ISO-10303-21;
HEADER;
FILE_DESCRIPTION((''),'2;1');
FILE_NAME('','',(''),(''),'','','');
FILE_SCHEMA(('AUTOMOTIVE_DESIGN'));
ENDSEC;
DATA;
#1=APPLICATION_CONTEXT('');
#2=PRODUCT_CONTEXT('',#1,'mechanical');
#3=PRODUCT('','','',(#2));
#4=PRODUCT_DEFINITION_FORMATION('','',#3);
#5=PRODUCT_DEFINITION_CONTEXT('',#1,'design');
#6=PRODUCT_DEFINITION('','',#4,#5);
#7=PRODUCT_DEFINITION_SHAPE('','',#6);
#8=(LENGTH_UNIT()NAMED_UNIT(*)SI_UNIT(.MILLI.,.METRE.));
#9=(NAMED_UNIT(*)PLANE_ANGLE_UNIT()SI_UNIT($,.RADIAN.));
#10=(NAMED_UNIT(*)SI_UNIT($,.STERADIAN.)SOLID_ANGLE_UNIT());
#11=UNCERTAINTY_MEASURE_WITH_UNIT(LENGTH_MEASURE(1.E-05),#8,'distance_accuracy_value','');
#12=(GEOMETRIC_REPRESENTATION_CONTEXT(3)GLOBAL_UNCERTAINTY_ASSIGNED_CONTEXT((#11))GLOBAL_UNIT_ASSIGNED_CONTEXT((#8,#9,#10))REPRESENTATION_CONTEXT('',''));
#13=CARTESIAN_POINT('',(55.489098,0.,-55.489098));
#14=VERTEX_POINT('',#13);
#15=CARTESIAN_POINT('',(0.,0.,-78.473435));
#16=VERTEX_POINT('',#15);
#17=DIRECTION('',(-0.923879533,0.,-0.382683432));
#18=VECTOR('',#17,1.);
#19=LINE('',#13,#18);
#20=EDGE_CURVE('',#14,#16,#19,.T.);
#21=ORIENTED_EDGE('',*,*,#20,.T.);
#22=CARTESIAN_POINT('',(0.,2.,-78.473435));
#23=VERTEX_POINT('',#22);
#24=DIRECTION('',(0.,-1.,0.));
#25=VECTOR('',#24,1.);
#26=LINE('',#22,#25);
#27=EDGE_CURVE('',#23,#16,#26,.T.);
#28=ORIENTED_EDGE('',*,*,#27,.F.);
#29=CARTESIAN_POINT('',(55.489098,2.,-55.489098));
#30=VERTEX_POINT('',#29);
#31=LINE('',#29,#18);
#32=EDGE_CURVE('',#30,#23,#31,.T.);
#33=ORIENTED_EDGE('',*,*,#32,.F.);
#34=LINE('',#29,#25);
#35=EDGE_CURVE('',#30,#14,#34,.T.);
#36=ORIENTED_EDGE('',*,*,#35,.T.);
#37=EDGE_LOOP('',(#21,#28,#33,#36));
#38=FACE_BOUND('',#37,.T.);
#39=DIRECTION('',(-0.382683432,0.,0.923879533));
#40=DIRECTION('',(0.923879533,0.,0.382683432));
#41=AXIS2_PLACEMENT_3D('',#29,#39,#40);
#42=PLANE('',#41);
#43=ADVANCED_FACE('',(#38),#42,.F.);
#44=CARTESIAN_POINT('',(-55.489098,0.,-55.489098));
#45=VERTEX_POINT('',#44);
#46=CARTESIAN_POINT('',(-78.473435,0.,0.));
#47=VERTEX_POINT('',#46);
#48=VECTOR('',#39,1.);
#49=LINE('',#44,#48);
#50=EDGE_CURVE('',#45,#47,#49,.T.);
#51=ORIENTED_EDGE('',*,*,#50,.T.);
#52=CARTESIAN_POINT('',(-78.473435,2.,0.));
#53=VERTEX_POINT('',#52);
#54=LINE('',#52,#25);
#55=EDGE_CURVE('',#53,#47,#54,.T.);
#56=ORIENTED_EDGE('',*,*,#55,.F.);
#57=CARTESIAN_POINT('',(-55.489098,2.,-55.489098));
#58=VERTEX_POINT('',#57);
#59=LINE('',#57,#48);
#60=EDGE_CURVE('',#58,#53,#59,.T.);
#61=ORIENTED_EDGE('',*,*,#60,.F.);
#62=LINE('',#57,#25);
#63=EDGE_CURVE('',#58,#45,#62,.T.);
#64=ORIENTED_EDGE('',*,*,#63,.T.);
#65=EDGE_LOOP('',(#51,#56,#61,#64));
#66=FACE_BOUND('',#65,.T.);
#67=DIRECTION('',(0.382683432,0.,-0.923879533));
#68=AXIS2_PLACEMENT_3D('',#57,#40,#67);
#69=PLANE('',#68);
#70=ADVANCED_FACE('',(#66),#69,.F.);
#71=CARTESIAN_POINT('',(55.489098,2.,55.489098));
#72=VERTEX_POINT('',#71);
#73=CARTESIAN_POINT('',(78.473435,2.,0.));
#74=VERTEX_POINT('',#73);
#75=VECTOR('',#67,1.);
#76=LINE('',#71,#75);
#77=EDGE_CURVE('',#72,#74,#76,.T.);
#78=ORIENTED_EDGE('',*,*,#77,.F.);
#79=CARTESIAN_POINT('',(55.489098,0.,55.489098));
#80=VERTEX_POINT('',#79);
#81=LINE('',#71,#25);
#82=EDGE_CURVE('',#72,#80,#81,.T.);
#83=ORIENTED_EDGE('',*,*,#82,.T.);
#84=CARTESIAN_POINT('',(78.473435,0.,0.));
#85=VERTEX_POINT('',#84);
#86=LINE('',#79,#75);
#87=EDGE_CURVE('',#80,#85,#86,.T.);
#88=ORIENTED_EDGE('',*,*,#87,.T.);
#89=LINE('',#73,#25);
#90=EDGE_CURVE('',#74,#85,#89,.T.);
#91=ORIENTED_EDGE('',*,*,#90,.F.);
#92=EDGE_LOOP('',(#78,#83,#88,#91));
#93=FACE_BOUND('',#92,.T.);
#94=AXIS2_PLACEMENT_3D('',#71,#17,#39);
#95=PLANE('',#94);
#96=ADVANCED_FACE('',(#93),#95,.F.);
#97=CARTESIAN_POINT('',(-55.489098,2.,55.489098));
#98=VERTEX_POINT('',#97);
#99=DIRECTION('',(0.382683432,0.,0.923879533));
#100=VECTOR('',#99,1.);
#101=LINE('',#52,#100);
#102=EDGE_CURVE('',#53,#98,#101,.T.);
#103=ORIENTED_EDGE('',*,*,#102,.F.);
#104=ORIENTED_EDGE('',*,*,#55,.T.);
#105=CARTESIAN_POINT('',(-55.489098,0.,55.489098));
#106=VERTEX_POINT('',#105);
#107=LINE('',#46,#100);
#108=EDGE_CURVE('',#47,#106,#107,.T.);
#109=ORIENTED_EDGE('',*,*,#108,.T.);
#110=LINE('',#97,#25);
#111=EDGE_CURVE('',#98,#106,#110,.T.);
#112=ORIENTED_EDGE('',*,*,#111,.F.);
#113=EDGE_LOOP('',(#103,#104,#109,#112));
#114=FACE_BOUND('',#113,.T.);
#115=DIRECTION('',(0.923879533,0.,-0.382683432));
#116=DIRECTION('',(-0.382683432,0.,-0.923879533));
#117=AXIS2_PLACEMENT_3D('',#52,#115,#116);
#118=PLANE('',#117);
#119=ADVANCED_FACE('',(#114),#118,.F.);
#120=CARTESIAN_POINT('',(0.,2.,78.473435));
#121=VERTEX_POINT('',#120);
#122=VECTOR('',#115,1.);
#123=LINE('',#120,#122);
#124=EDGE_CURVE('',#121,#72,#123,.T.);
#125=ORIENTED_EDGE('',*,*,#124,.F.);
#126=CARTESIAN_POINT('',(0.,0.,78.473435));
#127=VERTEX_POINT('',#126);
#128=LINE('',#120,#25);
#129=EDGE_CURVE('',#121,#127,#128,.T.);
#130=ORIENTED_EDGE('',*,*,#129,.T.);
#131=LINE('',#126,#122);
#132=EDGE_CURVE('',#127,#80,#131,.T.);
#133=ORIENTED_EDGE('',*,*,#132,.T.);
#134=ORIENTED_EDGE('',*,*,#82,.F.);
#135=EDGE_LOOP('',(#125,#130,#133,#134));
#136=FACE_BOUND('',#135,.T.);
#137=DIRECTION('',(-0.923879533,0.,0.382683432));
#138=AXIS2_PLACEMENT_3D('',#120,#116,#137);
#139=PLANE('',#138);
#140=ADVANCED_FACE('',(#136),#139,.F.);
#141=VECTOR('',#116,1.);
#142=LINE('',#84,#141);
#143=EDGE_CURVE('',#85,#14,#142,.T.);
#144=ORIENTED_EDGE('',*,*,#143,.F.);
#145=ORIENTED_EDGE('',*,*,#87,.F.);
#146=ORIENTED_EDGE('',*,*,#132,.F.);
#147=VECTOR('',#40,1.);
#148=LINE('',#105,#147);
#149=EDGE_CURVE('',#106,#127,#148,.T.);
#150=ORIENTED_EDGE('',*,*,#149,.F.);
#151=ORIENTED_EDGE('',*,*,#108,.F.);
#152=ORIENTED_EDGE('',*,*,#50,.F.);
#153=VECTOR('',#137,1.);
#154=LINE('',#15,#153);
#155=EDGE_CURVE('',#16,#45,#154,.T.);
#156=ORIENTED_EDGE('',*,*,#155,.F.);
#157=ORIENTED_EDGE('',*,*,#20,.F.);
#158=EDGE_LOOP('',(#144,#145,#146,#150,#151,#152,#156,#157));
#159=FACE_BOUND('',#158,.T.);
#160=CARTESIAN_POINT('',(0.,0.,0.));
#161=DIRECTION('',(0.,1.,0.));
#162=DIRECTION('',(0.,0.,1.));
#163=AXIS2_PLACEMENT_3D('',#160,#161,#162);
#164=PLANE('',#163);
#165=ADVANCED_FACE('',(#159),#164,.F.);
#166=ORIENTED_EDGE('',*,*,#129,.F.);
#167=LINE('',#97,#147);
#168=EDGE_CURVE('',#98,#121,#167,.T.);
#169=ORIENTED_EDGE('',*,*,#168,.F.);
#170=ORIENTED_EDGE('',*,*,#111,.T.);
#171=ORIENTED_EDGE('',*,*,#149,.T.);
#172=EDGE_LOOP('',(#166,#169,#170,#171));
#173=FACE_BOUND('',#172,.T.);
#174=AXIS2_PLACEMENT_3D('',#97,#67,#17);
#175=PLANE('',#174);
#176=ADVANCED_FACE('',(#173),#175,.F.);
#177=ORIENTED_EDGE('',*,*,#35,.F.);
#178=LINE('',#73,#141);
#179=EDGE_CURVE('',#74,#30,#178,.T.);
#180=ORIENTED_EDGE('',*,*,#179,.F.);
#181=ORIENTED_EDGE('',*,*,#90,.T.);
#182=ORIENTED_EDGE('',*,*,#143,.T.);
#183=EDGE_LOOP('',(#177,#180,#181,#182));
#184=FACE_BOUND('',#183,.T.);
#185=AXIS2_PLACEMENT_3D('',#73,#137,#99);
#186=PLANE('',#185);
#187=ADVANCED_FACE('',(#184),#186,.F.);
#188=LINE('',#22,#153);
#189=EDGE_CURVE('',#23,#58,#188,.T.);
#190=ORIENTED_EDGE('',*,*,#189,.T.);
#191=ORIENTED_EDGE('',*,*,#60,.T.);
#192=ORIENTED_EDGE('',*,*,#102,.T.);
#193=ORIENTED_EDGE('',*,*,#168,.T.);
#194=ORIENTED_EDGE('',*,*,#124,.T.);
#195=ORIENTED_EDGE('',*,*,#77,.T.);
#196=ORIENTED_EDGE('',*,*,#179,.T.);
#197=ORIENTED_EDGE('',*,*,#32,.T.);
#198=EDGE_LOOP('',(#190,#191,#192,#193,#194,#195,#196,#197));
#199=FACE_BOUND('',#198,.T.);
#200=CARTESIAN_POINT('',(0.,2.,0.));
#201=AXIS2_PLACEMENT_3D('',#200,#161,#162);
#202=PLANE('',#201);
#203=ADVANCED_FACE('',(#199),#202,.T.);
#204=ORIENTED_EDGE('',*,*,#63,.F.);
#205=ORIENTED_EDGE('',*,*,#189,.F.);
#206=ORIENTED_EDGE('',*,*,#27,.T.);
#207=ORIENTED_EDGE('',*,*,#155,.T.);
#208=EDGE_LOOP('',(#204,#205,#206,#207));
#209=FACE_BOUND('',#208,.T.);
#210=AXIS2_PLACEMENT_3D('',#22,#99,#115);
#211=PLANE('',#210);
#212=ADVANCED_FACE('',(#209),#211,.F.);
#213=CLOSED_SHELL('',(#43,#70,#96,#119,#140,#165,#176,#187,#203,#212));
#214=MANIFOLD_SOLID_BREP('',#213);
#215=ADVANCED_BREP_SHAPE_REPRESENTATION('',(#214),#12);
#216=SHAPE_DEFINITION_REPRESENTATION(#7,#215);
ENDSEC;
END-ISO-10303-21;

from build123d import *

# Parameters (mm, degrees)
BOSS_EXTRUDE1_DEPTH = 2


with BuildPart() as part:
    # Sketch1 → Boss-Extrude1 (new body)
    with BuildSketch(Plane(origin=(0, 0, 0), x_dir=(1, 0, 0), z_dir=(0, 1, 0))):
        Polygon((78.473434521, 0), (55.489097693, 55.489097693), (0, 78.473434521), (-55.489097693, 55.489097693), (-78.473434521, 0), (-55.489097693, -55.489097693), (0, -78.473434521), (55.489097693, -55.489097693), align=None)
    extrude(amount=BOSS_EXTRUDE1_DEPTH)


solid = part.part
